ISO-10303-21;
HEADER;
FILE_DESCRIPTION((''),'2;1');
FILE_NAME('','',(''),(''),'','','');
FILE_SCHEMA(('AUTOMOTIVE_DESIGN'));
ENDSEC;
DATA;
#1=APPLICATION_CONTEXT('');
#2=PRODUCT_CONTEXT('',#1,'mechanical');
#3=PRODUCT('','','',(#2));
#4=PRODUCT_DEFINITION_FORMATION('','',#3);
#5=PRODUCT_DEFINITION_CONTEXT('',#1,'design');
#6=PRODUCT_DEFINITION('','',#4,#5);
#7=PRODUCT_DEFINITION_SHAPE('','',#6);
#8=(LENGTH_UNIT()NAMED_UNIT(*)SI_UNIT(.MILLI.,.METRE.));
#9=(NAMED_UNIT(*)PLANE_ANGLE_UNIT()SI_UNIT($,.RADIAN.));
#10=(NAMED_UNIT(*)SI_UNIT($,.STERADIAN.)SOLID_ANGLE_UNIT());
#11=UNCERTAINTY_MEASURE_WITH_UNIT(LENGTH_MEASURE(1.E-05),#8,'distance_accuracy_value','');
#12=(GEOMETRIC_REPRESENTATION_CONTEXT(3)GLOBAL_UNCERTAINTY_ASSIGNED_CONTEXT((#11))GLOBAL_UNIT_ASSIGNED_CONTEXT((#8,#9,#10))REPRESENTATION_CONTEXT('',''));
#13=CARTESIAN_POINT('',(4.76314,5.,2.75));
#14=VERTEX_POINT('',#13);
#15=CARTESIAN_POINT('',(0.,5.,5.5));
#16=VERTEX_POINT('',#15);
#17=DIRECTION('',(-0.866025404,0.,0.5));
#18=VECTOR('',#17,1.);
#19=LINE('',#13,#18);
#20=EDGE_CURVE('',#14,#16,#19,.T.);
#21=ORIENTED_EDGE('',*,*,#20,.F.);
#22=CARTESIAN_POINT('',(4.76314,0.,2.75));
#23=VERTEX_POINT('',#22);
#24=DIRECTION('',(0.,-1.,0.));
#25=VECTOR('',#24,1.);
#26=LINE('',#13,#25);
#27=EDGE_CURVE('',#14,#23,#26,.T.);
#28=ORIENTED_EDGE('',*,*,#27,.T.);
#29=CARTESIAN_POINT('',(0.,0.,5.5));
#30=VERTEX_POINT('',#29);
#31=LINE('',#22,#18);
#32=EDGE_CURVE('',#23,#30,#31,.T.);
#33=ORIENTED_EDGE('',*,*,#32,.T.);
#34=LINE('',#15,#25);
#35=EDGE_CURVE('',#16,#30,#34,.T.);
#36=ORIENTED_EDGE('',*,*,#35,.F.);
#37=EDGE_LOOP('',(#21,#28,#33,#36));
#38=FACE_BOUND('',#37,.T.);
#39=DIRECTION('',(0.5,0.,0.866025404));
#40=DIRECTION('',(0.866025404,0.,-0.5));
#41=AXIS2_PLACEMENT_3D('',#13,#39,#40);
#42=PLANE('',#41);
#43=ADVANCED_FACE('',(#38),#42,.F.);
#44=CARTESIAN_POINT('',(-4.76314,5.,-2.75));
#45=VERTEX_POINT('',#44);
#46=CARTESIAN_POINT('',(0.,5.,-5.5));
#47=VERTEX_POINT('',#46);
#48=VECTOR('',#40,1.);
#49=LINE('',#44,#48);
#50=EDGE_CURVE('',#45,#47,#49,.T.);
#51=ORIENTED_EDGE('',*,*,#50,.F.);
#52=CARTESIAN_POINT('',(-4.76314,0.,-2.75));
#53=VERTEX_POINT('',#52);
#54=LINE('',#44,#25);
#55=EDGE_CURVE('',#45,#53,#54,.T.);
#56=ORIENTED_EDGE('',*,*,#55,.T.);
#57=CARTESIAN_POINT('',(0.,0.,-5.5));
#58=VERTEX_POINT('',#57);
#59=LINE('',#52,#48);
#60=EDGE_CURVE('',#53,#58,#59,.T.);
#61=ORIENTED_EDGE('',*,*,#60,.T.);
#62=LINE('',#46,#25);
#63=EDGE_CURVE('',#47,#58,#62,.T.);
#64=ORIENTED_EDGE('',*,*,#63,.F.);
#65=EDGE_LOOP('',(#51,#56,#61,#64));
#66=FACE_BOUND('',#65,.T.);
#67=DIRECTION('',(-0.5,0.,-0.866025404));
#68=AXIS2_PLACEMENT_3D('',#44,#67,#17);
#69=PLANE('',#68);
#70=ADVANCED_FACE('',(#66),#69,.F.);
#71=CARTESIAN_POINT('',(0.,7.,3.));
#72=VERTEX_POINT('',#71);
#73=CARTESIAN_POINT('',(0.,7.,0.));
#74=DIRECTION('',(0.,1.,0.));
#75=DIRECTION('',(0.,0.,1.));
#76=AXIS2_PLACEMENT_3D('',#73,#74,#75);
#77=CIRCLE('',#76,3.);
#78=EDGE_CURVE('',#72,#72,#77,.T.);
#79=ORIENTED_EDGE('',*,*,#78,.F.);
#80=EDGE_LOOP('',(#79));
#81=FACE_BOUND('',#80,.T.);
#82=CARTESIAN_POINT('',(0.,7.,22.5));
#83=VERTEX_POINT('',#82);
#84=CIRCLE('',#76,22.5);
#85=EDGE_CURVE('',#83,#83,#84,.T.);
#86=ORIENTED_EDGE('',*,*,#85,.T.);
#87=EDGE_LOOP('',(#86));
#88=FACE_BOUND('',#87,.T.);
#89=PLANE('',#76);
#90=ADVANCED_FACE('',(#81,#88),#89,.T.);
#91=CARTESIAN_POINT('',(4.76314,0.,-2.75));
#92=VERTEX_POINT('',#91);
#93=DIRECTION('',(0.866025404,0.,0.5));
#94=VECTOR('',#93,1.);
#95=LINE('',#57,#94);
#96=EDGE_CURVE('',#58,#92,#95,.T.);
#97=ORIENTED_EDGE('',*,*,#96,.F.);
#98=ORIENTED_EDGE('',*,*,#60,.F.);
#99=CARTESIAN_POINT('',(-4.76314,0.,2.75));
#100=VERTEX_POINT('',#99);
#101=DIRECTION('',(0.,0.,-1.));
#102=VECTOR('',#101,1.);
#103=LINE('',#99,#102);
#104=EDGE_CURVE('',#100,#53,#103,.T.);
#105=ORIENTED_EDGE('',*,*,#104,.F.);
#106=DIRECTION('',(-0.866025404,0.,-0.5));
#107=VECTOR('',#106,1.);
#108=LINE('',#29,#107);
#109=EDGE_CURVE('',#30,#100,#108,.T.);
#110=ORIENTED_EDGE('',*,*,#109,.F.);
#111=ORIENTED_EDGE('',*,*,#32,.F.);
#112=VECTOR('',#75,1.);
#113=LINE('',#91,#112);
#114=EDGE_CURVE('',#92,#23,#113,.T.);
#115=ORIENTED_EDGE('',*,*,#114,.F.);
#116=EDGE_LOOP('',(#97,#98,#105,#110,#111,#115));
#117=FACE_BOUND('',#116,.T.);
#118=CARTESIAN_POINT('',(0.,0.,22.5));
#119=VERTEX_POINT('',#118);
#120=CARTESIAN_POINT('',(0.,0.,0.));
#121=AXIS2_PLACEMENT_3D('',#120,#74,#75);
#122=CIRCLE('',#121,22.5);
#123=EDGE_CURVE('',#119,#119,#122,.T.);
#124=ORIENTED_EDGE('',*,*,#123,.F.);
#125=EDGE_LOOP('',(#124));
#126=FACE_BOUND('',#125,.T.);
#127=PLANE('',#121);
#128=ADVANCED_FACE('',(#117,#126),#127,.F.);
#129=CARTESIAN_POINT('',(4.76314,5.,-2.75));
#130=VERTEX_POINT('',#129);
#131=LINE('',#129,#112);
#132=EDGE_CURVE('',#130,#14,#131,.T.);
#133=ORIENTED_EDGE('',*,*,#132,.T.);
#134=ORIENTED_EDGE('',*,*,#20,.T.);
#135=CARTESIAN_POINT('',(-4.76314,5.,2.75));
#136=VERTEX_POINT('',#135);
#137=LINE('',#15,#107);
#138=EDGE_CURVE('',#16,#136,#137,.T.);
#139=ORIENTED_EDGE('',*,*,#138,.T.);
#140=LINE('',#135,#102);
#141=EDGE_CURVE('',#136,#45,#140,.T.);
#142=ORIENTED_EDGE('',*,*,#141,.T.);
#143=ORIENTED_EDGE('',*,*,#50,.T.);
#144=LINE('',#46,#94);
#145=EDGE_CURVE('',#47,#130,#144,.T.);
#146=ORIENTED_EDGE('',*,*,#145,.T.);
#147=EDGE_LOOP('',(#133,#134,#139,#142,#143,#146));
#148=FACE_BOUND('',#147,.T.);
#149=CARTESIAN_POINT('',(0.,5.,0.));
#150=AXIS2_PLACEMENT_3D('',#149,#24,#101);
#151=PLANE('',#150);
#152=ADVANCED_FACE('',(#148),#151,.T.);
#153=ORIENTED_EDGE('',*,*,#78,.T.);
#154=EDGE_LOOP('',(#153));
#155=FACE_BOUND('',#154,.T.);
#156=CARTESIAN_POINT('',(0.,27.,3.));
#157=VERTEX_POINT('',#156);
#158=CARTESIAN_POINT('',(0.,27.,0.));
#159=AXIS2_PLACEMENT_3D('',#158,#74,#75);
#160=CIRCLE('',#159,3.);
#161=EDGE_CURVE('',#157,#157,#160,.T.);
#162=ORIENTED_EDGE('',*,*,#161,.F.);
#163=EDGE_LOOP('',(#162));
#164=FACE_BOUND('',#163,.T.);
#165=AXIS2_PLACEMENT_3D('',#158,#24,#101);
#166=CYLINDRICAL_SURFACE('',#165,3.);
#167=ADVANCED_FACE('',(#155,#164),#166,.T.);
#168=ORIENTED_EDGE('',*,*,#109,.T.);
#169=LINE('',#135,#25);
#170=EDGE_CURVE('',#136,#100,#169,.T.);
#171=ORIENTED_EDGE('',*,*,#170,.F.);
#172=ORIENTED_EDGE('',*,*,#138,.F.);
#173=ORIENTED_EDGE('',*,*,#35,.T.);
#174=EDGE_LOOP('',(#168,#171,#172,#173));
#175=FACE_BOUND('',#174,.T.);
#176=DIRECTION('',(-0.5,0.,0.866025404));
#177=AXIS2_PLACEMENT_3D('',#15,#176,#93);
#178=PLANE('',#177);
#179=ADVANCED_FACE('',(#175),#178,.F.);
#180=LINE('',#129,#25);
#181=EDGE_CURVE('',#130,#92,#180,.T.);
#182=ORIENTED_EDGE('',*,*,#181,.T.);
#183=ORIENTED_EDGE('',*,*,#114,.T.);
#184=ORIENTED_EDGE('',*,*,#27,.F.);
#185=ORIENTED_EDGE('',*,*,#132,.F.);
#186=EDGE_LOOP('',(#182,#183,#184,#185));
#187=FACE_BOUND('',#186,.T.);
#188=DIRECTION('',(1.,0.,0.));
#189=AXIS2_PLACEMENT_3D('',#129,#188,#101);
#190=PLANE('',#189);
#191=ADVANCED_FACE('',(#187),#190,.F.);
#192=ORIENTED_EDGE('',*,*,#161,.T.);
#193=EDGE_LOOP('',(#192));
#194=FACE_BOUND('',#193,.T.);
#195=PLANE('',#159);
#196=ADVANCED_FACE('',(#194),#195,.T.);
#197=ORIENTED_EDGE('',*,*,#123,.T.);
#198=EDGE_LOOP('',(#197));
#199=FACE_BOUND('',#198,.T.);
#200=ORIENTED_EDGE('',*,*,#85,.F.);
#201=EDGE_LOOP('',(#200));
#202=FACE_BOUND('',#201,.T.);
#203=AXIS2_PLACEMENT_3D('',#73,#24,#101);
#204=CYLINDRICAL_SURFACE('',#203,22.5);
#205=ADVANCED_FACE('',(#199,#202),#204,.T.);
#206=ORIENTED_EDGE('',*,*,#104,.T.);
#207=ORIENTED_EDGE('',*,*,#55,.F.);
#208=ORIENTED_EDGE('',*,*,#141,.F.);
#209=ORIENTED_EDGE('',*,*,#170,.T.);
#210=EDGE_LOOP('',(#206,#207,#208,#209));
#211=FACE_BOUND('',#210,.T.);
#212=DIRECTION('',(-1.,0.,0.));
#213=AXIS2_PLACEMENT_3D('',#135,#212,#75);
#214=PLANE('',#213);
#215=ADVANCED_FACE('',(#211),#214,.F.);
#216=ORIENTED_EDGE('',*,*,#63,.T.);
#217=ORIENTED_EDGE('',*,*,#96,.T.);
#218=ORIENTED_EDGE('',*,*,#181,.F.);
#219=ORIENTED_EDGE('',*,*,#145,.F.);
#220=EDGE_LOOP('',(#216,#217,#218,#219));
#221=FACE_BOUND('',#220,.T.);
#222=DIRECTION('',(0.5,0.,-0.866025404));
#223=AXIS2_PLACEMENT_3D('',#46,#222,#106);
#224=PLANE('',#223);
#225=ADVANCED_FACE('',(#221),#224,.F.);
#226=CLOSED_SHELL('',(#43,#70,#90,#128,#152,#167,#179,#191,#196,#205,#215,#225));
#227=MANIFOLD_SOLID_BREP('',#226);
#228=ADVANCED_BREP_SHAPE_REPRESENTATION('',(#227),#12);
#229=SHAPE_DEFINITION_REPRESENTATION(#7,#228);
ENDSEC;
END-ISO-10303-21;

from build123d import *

# Parameters (mm, degrees)
SKETCH1_R           = 22.5
BOSS_EXTRUDE1_DEPTH = 7
SKETCH2_R           = 3
BOSS_EXTRUDE2_DEPTH = 20
CUT_EXTRUDE1_DEPTH  = 5


with BuildPart() as part:
    # Sketch1 → Boss-Extrude1 (new body)
    with BuildSketch(Plane(origin=(0, 0, 0), x_dir=(1, 0, 0), z_dir=(0, 1, 0))):
        with Locations(Location((0, 0, 0), (0, 0, 270))):
            Circle(SKETCH1_R)
    extrude(amount=BOSS_EXTRUDE1_DEPTH)

    # Sketch2 → Boss-Extrude2 (add)
    with BuildSketch(Plane(origin=(0, 7, 0), x_dir=(1, 0, 0), z_dir=(0, 1, 0))):
        with Locations(Location((0, 0, 0), (0, 0, 270))):
            Circle(SKETCH2_R)
    extrude(amount=BOSS_EXTRUDE2_DEPTH)

    # Sketch3 → Cut-Extrude1 (cut)
    with BuildSketch(Plane.XZ):
        Polygon((4.763139721, -2.75), (4.763139721, 2.75), (0, 5.5), (-4.763139721, 2.75), (-4.763139721, -2.75), (0, -5.5), align=None)
    extrude(amount=-CUT_EXTRUDE1_DEPTH, mode=Mode.SUBTRACT)


solid = part.part
